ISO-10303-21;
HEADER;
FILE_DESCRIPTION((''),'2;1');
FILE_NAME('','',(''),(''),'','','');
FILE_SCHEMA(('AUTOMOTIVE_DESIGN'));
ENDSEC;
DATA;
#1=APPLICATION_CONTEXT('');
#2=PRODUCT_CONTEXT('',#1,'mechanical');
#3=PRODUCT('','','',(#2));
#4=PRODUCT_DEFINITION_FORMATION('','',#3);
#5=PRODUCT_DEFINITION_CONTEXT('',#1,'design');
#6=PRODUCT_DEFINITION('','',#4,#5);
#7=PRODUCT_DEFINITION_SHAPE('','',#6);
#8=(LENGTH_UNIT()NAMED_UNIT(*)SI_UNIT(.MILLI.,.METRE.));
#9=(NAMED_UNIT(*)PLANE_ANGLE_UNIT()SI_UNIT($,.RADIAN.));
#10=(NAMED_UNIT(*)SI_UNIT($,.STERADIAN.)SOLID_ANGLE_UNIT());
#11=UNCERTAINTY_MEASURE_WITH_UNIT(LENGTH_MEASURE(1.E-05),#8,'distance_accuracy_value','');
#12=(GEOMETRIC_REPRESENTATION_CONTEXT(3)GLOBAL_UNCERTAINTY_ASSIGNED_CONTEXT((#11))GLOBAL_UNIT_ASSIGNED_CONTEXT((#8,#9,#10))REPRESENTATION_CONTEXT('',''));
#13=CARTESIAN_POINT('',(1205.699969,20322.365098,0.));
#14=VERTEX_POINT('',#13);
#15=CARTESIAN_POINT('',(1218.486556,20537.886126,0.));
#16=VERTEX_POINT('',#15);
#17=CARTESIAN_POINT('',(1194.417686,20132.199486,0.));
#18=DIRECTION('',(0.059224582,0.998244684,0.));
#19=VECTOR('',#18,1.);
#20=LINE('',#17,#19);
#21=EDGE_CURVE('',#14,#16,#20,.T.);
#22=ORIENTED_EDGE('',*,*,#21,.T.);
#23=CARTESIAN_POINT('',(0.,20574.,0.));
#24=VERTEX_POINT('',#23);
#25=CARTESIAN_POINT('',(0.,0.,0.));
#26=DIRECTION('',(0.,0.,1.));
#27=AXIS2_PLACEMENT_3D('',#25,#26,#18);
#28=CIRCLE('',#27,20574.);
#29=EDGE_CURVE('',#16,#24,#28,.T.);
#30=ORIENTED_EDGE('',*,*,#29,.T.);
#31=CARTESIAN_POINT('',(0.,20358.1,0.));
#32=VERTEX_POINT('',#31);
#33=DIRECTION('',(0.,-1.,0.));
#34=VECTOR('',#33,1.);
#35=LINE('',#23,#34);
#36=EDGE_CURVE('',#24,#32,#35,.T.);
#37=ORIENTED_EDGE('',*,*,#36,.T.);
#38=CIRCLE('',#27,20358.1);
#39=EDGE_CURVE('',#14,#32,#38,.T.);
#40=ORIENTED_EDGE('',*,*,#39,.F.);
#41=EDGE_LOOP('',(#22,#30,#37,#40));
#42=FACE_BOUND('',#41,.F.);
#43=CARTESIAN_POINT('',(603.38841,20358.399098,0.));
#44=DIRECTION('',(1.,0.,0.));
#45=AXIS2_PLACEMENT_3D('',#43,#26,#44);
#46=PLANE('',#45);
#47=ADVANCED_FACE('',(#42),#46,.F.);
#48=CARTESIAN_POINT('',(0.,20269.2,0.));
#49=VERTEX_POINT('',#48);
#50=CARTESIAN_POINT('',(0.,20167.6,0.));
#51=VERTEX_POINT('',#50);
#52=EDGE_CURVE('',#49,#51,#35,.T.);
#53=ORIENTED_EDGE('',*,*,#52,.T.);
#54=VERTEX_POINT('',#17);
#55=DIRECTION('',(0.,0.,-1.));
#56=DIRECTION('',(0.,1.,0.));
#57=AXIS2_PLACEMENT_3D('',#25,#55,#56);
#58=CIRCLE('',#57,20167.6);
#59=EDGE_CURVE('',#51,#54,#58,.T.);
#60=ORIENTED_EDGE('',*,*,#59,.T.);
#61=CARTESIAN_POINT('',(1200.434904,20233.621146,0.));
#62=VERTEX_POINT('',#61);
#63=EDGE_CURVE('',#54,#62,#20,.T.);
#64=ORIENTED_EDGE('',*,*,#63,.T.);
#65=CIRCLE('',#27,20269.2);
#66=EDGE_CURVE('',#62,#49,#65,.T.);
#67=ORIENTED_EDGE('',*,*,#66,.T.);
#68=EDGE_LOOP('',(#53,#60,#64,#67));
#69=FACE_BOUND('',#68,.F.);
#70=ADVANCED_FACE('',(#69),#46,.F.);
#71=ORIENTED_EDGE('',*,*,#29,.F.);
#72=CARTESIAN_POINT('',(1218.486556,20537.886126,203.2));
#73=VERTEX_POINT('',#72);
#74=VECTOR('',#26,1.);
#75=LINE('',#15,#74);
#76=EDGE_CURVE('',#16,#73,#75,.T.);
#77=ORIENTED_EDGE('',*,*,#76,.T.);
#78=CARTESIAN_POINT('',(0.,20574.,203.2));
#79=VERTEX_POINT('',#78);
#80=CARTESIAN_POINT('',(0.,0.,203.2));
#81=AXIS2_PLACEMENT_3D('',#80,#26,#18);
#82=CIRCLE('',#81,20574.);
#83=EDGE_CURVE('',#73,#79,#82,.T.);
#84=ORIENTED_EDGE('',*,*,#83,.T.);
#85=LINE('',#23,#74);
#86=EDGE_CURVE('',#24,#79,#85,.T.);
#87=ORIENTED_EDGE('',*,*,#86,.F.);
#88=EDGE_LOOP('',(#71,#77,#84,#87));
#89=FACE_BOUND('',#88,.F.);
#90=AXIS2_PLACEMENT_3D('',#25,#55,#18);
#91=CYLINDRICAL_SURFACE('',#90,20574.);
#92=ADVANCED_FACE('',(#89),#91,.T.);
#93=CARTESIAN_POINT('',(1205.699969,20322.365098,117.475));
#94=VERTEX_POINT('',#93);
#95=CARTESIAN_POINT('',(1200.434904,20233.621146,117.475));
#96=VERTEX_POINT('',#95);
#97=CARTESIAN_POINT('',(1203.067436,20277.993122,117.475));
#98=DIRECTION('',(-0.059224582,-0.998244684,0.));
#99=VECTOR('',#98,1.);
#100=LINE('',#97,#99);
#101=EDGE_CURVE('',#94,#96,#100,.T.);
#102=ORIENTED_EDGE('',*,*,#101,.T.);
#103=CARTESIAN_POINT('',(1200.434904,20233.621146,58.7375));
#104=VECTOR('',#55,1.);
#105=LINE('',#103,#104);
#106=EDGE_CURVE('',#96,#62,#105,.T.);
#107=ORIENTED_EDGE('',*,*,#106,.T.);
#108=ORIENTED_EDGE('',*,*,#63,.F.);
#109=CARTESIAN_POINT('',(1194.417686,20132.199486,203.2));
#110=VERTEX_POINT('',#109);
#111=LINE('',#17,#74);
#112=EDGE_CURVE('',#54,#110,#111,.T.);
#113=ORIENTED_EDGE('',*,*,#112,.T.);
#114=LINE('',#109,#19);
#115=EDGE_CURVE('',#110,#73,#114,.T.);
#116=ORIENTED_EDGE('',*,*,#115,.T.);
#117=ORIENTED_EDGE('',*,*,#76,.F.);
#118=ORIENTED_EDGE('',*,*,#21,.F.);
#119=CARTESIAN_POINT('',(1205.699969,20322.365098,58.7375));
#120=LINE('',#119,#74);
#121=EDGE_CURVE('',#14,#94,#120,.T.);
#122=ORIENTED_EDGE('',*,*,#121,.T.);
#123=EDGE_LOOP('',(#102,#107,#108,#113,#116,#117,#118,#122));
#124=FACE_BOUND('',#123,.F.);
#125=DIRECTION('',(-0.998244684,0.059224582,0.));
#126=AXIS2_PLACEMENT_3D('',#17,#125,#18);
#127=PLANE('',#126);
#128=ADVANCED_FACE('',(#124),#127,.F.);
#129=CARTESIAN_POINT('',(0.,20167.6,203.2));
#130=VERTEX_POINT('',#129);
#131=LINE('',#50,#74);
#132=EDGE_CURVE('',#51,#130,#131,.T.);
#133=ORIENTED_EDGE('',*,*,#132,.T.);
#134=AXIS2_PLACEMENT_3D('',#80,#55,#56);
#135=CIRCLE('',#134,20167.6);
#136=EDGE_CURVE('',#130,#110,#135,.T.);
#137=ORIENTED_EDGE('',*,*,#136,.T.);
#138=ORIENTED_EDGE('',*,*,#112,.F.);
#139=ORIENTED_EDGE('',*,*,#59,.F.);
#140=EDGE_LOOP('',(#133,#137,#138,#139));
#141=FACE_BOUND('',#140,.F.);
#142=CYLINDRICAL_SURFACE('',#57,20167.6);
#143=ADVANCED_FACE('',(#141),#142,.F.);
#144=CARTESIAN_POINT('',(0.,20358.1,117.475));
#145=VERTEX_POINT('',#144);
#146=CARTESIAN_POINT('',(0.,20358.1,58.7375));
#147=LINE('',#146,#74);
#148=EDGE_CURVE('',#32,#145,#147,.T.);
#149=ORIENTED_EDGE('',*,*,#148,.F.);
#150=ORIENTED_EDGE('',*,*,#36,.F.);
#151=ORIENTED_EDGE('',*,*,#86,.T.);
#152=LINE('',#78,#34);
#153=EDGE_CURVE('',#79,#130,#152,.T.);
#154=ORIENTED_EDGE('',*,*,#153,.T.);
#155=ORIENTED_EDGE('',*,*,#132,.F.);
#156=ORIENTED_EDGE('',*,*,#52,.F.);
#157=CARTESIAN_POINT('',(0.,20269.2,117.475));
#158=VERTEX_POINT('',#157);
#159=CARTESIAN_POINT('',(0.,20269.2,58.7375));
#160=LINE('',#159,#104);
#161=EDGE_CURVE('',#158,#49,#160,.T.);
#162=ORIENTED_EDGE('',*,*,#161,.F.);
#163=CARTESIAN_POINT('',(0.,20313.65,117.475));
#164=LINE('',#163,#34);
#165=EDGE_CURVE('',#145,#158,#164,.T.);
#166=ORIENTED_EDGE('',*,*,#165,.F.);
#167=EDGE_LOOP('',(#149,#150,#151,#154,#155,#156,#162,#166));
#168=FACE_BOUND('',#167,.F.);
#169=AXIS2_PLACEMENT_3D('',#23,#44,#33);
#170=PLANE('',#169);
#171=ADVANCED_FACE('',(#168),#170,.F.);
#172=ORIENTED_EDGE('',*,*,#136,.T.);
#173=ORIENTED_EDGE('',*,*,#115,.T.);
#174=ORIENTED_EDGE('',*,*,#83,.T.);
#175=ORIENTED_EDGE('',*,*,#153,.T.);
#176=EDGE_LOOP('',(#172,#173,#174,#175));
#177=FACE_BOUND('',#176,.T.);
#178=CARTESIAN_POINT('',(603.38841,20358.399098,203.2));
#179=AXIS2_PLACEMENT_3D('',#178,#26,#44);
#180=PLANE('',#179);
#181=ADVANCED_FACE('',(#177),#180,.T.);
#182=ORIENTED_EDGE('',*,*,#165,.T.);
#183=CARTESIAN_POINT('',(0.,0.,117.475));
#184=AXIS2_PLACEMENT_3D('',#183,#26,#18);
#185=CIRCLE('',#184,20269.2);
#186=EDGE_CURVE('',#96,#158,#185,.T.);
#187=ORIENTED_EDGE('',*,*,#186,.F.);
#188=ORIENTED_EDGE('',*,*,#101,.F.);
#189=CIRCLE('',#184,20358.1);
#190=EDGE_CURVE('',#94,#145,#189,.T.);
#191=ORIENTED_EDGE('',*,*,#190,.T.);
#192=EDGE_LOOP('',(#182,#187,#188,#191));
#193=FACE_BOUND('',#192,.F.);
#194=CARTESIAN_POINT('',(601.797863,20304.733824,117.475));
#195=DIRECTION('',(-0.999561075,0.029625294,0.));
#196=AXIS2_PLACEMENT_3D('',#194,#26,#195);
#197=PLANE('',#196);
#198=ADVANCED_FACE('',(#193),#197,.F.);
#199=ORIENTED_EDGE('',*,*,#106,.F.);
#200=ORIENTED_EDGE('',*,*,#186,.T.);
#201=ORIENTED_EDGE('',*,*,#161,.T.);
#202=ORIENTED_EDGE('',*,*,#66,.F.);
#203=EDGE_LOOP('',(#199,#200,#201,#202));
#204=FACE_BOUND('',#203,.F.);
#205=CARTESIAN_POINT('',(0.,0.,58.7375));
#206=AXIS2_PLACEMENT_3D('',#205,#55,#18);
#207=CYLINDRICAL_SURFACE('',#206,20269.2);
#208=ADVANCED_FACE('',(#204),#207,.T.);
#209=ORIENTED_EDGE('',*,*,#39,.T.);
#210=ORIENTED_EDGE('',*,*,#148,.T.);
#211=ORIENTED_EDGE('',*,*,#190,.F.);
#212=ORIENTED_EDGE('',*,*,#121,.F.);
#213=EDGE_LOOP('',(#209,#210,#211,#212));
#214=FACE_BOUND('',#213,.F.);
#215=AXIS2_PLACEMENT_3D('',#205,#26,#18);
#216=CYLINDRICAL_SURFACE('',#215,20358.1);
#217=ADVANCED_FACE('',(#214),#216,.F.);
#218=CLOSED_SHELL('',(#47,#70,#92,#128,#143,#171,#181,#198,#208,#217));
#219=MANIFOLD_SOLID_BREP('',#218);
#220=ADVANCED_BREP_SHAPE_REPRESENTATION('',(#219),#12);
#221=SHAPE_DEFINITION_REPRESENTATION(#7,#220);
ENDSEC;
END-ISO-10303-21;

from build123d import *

# Parameters (mm, degrees)
F1_DEPTH = 203.2
F2_W     = 88.9
F2_H     = 117.475


with BuildPart() as f1:
    # F0 (on Top) → F1 (new body)
    with BuildSketch(Plane.XY):
        with BuildLine():
            Line((1194.4176857661, 20132.1994861945), (1218.4865560082, 20537.8861257148))
            ThreePointArc((1218.4865560082, 20537.8861257148), (609.5108077566, 20564.9695495818), (0, 20574))
            Line((0, 20574), (0, 20167.6))
            ThreePointArc((0, 20167.6), (597.4710880973, 20158.7479288493), (1194.4176857661, 20132.1994861945))
        make_face()
    extrude(amount=F1_DEPTH)

    # F4: sweep along a path in F3
    with BuildLine(Plane.XY) as f4_path:
        ThreePointArc((1200.4349033266, 20233.6211460746), (600.4810180121, 20260.3033340325), (0, 20269.2))
    # F2 (on face) → F4 (sweep, cut)
    with BuildSketch(Plane(origin=(0, 0, 0), x_dir=(0.0592245823, 0.9982446839, 0), z_dir=(0.9982446839, -0.0592245823, 0))):
        with Locations((20313.65, 58.7375)):
            Rectangle(F2_W, F2_H)
    sweep(path=f4_path.line, mode=Mode.SUBTRACT)


solid = f1.part
